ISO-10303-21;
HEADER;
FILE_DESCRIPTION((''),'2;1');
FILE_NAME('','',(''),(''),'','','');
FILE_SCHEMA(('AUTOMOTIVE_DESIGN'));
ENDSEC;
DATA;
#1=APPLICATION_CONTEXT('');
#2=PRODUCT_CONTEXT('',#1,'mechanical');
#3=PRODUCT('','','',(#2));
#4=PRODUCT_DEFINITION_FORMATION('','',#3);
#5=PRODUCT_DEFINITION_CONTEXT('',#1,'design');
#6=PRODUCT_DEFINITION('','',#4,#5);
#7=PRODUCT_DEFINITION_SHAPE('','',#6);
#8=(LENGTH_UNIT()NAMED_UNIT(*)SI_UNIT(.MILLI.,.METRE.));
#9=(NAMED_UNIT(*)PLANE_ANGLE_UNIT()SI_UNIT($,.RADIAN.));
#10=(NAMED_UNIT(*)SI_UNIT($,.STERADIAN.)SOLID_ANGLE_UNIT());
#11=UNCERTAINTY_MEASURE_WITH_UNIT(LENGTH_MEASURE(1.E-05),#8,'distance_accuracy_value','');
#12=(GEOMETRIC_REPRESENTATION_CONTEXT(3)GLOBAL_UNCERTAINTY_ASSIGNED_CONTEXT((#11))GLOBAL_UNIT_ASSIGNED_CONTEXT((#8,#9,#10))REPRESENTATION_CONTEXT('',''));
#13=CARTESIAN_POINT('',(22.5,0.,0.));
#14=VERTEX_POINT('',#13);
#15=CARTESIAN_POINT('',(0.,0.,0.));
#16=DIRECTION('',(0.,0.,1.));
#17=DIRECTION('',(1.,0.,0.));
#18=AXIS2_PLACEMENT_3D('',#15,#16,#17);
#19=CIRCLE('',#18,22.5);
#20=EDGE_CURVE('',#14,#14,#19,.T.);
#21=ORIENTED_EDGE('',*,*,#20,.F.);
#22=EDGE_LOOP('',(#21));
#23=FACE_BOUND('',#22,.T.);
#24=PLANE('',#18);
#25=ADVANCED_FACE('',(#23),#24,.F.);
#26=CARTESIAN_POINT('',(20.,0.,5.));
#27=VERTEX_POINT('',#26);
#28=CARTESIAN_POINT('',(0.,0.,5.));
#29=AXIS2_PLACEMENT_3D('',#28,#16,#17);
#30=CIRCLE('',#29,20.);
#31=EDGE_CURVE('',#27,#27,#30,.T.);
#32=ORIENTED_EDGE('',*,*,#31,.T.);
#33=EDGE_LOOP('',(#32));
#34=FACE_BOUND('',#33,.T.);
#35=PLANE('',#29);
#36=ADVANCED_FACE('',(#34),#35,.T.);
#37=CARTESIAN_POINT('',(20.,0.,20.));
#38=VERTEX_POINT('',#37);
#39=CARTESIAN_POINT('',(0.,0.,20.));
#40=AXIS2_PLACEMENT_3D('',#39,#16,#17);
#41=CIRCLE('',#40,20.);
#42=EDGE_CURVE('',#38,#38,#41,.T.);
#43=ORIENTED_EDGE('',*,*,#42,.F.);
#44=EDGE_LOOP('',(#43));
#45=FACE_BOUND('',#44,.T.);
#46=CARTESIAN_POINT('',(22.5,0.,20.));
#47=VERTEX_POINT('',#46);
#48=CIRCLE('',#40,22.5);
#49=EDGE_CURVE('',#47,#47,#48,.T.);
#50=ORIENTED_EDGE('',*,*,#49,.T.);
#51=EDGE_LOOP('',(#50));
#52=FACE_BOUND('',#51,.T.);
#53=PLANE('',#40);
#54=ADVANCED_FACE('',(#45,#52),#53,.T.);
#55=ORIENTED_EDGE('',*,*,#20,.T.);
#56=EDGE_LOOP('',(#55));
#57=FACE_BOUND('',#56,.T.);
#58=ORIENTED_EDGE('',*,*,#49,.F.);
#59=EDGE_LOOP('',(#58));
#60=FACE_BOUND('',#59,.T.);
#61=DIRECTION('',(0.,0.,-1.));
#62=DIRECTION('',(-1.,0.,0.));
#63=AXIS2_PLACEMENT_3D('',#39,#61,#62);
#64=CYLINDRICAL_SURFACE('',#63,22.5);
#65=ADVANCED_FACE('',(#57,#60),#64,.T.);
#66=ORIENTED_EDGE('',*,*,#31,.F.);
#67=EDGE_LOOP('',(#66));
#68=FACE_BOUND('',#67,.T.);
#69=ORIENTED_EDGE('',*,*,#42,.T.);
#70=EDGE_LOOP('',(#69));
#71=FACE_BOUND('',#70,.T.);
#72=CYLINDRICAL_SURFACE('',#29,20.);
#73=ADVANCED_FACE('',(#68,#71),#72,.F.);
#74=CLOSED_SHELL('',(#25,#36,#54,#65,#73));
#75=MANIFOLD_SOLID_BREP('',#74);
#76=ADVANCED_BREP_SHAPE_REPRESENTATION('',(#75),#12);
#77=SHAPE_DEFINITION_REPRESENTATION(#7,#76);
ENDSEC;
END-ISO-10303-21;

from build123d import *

# Parameters (mm, degrees)
SKETCH1_R           = 22.5
BOSS_EXTRUDE1_DEPTH = 20
SKETCH2_R           = 20
CUT_EXTRUDE1_DEPTH  = 15


with BuildPart() as part:
    # Sketch1 → Boss-Extrude1 (new body)
    with BuildSketch(Plane.XY):
        Circle(SKETCH1_R)
    extrude(amount=BOSS_EXTRUDE1_DEPTH)

    # Sketch2 → Cut-Extrude1 (cut)
    with BuildSketch(Plane.XY.offset(20)):
        Circle(SKETCH2_R)
    extrude(amount=-CUT_EXTRUDE1_DEPTH, mode=Mode.SUBTRACT)


solid = part.part
